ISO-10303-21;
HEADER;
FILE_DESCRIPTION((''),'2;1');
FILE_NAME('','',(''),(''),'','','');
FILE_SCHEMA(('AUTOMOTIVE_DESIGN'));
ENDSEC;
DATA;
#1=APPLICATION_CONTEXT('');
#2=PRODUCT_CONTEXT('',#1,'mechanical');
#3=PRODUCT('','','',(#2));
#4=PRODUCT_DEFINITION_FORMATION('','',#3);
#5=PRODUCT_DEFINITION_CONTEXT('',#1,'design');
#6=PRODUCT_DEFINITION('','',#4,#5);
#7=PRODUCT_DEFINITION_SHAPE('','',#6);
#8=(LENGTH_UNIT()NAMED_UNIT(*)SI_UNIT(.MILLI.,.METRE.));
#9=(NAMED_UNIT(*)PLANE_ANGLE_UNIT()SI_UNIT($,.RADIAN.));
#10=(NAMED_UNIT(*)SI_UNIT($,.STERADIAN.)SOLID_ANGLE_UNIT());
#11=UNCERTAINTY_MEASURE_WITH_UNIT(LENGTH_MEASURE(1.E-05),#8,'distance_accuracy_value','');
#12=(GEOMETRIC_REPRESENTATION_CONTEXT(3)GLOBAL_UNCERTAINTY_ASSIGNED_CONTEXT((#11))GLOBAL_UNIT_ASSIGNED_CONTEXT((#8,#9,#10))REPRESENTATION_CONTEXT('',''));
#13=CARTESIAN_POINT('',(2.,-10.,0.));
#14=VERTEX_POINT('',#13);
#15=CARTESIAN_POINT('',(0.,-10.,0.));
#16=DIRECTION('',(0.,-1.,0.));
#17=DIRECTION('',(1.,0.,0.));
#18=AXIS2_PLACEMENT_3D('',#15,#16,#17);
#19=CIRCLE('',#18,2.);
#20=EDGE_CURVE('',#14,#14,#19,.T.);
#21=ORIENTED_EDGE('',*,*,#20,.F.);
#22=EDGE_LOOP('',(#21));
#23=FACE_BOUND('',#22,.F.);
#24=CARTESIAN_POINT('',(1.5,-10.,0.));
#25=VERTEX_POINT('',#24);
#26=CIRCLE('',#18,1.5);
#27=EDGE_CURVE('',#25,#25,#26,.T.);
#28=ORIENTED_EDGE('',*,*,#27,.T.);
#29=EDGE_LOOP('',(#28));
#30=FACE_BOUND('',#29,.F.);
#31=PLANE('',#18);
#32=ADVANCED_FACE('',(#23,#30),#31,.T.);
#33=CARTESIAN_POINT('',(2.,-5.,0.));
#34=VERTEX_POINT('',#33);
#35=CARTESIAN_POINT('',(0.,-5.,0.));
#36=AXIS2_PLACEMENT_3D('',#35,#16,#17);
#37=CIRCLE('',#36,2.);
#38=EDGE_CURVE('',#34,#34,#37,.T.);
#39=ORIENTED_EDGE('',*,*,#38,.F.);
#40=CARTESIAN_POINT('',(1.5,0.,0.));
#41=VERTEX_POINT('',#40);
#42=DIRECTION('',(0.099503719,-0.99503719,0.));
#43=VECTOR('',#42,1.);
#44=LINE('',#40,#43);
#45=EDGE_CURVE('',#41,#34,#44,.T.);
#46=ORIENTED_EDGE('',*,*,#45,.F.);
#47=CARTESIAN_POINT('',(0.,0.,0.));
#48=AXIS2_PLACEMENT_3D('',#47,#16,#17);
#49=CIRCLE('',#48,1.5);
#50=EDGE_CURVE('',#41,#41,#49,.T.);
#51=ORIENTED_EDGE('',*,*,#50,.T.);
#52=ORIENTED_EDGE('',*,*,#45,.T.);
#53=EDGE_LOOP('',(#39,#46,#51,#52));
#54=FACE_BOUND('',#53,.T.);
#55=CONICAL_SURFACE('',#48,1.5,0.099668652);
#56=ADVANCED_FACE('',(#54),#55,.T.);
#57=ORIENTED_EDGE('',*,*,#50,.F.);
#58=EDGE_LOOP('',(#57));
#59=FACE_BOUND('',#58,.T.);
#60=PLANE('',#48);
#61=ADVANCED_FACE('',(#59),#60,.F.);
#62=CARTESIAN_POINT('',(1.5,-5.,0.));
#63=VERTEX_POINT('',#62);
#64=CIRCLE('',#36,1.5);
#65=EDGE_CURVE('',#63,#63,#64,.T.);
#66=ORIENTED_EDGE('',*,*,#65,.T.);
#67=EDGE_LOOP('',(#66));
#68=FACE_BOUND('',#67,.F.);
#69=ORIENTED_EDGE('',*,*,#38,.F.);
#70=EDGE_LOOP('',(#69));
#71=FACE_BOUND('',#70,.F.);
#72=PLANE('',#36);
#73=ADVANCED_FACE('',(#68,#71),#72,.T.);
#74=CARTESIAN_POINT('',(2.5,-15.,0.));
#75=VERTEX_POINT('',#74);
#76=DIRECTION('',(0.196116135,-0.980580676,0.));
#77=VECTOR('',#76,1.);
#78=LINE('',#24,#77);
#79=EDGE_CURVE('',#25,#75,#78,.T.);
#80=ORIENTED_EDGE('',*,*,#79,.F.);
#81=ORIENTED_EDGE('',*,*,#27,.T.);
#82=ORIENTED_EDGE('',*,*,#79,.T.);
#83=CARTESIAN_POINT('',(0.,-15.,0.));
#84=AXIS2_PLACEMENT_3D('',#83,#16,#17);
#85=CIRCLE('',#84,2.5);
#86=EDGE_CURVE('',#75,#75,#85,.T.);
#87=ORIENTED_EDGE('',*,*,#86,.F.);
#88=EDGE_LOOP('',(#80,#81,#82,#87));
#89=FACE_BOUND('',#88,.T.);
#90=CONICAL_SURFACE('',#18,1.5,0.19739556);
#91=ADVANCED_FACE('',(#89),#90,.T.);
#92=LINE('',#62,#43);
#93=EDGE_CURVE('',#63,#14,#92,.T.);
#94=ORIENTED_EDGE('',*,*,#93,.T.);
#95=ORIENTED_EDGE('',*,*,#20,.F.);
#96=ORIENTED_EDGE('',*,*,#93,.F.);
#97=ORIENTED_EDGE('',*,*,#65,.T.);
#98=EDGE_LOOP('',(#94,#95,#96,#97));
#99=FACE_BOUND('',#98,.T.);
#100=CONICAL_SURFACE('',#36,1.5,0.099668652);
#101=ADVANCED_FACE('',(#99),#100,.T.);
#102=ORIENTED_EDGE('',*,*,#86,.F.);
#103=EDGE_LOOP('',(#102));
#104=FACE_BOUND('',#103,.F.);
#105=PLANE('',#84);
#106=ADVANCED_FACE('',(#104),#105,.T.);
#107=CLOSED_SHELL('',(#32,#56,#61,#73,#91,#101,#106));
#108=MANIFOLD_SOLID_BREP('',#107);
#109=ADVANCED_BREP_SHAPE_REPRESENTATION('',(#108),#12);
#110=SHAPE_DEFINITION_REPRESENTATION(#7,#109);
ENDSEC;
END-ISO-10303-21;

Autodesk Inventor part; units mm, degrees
ref_plane "YZ Plane" through (0, 0, 0) normal (1, 0, 0) x (0, 1, 0)
ref_plane "XZ Plane" through (0, 0, 0) normal (0, 1, 0) x (-1, 0, 0)
ref_plane "XY Plane" through (0, 0, 0) normal (0, 0, 1) x (1, 0, 0)
sketch "Sketch1" plane through (0, 0, 0) normal (0, 0, 1) x (1, 0, 0)
  line L0 (-1.5, 0) -> (1.5, 0)
  line L1 (-2, -5) -> (2, -5)
  line L2 (-1.5, -5) -> (1.5, -5)
  line L3 (-2, -10) -> (2, -10)
  line L4 (-2, -10) -> (2, -10) construction
  line L5 (-1.5, -10) -> (1.5, -10)
  line L6 (-2.5, -15) -> (2.5, -15)
  line L7 (-1.5, 0) -> (-2, -5)
  line L8 (1.5, 0) -> (2, -5)
  line L9 (-1.5, -5) -> (-1.5, -5)
  line L10 (1.5, -5) -> (1.5, -5)
  line L11 (-2, -10) -> (-1.5, -5)
  line L12 (1.5, -5) -> (2, -10)
  line L13 (-1.5, -10) -> (-1.5, -10)
  line L14 (1.5, -10) -> (1.5, -10)
  line L15 (-1.5, -10) -> (-2.5, -15)
  line L16 (1.5, -10) -> (2.5, -15)
  line L17 (0, 0) -> (0, -15)
  point P0 (0, -10)
  point P1 (0, -10)
  dimension "d0" = 3
  dimension "d1" = 4
  dimension "d2" = 3
  dimension "d3" = 4
  dimension "d5" = 5
  dimension "d6" = 3
  dimension "d7" = 5
  dimension "d8" = 5
  dimension "d9" = 0
  dimension "d10" = 5
  dimension "d11" = 0
revolve "Revolution1" add sketch "Sketch1" angle 360 about axis through (0, 0, 0) along (0, -1, 0) contours L0 L8 L1 L17 | L1 L12 L3 L17 | L3 L16 L6 L17
properties part number "Valve_Plug_V1"
